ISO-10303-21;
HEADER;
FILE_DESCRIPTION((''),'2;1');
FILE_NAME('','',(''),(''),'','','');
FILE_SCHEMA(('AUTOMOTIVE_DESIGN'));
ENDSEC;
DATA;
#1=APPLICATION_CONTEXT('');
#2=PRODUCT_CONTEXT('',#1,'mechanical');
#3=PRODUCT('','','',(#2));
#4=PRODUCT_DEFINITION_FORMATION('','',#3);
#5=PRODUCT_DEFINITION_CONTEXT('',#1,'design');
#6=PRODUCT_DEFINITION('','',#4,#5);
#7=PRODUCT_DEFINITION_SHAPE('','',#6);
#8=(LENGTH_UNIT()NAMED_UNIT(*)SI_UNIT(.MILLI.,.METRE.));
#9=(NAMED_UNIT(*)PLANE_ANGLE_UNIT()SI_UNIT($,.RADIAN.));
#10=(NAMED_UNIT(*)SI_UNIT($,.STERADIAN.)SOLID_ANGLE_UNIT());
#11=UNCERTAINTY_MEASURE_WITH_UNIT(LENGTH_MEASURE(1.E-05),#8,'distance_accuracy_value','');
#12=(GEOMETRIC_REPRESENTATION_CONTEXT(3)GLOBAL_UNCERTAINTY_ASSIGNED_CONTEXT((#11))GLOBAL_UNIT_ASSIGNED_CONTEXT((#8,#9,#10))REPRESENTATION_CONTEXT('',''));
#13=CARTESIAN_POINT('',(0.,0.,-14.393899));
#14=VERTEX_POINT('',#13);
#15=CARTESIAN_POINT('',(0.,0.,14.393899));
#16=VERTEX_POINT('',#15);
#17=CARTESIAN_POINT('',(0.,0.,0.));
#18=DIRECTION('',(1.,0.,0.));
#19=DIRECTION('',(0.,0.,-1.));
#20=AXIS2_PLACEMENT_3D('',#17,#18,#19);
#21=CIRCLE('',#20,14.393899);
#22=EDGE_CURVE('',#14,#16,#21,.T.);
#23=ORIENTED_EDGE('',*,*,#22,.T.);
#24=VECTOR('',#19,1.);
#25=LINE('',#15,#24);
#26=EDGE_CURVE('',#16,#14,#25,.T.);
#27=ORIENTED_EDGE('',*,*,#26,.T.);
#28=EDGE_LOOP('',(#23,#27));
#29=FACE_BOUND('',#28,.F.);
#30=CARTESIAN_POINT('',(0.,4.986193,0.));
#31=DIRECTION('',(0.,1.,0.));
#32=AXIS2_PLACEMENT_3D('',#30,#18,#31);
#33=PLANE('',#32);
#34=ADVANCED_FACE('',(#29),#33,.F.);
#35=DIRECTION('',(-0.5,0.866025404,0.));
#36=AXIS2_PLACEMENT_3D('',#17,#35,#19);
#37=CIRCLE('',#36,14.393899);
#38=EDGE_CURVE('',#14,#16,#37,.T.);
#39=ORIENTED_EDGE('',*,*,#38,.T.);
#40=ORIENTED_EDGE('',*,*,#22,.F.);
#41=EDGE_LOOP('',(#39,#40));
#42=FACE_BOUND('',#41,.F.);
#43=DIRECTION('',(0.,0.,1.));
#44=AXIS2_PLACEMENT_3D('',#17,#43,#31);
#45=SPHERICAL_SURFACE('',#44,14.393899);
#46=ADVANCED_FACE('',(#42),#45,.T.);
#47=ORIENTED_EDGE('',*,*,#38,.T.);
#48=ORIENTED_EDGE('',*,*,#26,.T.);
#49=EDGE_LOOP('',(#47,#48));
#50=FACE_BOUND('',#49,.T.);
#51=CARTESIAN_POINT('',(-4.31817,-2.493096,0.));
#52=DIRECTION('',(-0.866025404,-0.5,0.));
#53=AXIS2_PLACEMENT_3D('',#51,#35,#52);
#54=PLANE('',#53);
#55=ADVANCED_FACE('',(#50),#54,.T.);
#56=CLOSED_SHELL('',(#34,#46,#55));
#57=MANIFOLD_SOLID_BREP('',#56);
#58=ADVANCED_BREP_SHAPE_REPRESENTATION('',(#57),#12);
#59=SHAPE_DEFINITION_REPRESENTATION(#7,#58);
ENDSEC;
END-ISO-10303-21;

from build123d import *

# Parameters (mm, degrees)
REVOLUTION_ANGLE = -240


with BuildPart() as part:
    # Sketch → Revolution (revolve)
    with BuildSketch(Plane.YZ):
        with BuildLine():
            ThreePointArc((0, -14.393899), (14.393899, 0), (0, 14.393899))
            Line((0, 14.393899), (0, -14.393899))
        make_face()
    revolve(axis=Axis((0, 0, 0), (0, 0, 1)), revolution_arc=REVOLUTION_ANGLE)


solid = part.part
